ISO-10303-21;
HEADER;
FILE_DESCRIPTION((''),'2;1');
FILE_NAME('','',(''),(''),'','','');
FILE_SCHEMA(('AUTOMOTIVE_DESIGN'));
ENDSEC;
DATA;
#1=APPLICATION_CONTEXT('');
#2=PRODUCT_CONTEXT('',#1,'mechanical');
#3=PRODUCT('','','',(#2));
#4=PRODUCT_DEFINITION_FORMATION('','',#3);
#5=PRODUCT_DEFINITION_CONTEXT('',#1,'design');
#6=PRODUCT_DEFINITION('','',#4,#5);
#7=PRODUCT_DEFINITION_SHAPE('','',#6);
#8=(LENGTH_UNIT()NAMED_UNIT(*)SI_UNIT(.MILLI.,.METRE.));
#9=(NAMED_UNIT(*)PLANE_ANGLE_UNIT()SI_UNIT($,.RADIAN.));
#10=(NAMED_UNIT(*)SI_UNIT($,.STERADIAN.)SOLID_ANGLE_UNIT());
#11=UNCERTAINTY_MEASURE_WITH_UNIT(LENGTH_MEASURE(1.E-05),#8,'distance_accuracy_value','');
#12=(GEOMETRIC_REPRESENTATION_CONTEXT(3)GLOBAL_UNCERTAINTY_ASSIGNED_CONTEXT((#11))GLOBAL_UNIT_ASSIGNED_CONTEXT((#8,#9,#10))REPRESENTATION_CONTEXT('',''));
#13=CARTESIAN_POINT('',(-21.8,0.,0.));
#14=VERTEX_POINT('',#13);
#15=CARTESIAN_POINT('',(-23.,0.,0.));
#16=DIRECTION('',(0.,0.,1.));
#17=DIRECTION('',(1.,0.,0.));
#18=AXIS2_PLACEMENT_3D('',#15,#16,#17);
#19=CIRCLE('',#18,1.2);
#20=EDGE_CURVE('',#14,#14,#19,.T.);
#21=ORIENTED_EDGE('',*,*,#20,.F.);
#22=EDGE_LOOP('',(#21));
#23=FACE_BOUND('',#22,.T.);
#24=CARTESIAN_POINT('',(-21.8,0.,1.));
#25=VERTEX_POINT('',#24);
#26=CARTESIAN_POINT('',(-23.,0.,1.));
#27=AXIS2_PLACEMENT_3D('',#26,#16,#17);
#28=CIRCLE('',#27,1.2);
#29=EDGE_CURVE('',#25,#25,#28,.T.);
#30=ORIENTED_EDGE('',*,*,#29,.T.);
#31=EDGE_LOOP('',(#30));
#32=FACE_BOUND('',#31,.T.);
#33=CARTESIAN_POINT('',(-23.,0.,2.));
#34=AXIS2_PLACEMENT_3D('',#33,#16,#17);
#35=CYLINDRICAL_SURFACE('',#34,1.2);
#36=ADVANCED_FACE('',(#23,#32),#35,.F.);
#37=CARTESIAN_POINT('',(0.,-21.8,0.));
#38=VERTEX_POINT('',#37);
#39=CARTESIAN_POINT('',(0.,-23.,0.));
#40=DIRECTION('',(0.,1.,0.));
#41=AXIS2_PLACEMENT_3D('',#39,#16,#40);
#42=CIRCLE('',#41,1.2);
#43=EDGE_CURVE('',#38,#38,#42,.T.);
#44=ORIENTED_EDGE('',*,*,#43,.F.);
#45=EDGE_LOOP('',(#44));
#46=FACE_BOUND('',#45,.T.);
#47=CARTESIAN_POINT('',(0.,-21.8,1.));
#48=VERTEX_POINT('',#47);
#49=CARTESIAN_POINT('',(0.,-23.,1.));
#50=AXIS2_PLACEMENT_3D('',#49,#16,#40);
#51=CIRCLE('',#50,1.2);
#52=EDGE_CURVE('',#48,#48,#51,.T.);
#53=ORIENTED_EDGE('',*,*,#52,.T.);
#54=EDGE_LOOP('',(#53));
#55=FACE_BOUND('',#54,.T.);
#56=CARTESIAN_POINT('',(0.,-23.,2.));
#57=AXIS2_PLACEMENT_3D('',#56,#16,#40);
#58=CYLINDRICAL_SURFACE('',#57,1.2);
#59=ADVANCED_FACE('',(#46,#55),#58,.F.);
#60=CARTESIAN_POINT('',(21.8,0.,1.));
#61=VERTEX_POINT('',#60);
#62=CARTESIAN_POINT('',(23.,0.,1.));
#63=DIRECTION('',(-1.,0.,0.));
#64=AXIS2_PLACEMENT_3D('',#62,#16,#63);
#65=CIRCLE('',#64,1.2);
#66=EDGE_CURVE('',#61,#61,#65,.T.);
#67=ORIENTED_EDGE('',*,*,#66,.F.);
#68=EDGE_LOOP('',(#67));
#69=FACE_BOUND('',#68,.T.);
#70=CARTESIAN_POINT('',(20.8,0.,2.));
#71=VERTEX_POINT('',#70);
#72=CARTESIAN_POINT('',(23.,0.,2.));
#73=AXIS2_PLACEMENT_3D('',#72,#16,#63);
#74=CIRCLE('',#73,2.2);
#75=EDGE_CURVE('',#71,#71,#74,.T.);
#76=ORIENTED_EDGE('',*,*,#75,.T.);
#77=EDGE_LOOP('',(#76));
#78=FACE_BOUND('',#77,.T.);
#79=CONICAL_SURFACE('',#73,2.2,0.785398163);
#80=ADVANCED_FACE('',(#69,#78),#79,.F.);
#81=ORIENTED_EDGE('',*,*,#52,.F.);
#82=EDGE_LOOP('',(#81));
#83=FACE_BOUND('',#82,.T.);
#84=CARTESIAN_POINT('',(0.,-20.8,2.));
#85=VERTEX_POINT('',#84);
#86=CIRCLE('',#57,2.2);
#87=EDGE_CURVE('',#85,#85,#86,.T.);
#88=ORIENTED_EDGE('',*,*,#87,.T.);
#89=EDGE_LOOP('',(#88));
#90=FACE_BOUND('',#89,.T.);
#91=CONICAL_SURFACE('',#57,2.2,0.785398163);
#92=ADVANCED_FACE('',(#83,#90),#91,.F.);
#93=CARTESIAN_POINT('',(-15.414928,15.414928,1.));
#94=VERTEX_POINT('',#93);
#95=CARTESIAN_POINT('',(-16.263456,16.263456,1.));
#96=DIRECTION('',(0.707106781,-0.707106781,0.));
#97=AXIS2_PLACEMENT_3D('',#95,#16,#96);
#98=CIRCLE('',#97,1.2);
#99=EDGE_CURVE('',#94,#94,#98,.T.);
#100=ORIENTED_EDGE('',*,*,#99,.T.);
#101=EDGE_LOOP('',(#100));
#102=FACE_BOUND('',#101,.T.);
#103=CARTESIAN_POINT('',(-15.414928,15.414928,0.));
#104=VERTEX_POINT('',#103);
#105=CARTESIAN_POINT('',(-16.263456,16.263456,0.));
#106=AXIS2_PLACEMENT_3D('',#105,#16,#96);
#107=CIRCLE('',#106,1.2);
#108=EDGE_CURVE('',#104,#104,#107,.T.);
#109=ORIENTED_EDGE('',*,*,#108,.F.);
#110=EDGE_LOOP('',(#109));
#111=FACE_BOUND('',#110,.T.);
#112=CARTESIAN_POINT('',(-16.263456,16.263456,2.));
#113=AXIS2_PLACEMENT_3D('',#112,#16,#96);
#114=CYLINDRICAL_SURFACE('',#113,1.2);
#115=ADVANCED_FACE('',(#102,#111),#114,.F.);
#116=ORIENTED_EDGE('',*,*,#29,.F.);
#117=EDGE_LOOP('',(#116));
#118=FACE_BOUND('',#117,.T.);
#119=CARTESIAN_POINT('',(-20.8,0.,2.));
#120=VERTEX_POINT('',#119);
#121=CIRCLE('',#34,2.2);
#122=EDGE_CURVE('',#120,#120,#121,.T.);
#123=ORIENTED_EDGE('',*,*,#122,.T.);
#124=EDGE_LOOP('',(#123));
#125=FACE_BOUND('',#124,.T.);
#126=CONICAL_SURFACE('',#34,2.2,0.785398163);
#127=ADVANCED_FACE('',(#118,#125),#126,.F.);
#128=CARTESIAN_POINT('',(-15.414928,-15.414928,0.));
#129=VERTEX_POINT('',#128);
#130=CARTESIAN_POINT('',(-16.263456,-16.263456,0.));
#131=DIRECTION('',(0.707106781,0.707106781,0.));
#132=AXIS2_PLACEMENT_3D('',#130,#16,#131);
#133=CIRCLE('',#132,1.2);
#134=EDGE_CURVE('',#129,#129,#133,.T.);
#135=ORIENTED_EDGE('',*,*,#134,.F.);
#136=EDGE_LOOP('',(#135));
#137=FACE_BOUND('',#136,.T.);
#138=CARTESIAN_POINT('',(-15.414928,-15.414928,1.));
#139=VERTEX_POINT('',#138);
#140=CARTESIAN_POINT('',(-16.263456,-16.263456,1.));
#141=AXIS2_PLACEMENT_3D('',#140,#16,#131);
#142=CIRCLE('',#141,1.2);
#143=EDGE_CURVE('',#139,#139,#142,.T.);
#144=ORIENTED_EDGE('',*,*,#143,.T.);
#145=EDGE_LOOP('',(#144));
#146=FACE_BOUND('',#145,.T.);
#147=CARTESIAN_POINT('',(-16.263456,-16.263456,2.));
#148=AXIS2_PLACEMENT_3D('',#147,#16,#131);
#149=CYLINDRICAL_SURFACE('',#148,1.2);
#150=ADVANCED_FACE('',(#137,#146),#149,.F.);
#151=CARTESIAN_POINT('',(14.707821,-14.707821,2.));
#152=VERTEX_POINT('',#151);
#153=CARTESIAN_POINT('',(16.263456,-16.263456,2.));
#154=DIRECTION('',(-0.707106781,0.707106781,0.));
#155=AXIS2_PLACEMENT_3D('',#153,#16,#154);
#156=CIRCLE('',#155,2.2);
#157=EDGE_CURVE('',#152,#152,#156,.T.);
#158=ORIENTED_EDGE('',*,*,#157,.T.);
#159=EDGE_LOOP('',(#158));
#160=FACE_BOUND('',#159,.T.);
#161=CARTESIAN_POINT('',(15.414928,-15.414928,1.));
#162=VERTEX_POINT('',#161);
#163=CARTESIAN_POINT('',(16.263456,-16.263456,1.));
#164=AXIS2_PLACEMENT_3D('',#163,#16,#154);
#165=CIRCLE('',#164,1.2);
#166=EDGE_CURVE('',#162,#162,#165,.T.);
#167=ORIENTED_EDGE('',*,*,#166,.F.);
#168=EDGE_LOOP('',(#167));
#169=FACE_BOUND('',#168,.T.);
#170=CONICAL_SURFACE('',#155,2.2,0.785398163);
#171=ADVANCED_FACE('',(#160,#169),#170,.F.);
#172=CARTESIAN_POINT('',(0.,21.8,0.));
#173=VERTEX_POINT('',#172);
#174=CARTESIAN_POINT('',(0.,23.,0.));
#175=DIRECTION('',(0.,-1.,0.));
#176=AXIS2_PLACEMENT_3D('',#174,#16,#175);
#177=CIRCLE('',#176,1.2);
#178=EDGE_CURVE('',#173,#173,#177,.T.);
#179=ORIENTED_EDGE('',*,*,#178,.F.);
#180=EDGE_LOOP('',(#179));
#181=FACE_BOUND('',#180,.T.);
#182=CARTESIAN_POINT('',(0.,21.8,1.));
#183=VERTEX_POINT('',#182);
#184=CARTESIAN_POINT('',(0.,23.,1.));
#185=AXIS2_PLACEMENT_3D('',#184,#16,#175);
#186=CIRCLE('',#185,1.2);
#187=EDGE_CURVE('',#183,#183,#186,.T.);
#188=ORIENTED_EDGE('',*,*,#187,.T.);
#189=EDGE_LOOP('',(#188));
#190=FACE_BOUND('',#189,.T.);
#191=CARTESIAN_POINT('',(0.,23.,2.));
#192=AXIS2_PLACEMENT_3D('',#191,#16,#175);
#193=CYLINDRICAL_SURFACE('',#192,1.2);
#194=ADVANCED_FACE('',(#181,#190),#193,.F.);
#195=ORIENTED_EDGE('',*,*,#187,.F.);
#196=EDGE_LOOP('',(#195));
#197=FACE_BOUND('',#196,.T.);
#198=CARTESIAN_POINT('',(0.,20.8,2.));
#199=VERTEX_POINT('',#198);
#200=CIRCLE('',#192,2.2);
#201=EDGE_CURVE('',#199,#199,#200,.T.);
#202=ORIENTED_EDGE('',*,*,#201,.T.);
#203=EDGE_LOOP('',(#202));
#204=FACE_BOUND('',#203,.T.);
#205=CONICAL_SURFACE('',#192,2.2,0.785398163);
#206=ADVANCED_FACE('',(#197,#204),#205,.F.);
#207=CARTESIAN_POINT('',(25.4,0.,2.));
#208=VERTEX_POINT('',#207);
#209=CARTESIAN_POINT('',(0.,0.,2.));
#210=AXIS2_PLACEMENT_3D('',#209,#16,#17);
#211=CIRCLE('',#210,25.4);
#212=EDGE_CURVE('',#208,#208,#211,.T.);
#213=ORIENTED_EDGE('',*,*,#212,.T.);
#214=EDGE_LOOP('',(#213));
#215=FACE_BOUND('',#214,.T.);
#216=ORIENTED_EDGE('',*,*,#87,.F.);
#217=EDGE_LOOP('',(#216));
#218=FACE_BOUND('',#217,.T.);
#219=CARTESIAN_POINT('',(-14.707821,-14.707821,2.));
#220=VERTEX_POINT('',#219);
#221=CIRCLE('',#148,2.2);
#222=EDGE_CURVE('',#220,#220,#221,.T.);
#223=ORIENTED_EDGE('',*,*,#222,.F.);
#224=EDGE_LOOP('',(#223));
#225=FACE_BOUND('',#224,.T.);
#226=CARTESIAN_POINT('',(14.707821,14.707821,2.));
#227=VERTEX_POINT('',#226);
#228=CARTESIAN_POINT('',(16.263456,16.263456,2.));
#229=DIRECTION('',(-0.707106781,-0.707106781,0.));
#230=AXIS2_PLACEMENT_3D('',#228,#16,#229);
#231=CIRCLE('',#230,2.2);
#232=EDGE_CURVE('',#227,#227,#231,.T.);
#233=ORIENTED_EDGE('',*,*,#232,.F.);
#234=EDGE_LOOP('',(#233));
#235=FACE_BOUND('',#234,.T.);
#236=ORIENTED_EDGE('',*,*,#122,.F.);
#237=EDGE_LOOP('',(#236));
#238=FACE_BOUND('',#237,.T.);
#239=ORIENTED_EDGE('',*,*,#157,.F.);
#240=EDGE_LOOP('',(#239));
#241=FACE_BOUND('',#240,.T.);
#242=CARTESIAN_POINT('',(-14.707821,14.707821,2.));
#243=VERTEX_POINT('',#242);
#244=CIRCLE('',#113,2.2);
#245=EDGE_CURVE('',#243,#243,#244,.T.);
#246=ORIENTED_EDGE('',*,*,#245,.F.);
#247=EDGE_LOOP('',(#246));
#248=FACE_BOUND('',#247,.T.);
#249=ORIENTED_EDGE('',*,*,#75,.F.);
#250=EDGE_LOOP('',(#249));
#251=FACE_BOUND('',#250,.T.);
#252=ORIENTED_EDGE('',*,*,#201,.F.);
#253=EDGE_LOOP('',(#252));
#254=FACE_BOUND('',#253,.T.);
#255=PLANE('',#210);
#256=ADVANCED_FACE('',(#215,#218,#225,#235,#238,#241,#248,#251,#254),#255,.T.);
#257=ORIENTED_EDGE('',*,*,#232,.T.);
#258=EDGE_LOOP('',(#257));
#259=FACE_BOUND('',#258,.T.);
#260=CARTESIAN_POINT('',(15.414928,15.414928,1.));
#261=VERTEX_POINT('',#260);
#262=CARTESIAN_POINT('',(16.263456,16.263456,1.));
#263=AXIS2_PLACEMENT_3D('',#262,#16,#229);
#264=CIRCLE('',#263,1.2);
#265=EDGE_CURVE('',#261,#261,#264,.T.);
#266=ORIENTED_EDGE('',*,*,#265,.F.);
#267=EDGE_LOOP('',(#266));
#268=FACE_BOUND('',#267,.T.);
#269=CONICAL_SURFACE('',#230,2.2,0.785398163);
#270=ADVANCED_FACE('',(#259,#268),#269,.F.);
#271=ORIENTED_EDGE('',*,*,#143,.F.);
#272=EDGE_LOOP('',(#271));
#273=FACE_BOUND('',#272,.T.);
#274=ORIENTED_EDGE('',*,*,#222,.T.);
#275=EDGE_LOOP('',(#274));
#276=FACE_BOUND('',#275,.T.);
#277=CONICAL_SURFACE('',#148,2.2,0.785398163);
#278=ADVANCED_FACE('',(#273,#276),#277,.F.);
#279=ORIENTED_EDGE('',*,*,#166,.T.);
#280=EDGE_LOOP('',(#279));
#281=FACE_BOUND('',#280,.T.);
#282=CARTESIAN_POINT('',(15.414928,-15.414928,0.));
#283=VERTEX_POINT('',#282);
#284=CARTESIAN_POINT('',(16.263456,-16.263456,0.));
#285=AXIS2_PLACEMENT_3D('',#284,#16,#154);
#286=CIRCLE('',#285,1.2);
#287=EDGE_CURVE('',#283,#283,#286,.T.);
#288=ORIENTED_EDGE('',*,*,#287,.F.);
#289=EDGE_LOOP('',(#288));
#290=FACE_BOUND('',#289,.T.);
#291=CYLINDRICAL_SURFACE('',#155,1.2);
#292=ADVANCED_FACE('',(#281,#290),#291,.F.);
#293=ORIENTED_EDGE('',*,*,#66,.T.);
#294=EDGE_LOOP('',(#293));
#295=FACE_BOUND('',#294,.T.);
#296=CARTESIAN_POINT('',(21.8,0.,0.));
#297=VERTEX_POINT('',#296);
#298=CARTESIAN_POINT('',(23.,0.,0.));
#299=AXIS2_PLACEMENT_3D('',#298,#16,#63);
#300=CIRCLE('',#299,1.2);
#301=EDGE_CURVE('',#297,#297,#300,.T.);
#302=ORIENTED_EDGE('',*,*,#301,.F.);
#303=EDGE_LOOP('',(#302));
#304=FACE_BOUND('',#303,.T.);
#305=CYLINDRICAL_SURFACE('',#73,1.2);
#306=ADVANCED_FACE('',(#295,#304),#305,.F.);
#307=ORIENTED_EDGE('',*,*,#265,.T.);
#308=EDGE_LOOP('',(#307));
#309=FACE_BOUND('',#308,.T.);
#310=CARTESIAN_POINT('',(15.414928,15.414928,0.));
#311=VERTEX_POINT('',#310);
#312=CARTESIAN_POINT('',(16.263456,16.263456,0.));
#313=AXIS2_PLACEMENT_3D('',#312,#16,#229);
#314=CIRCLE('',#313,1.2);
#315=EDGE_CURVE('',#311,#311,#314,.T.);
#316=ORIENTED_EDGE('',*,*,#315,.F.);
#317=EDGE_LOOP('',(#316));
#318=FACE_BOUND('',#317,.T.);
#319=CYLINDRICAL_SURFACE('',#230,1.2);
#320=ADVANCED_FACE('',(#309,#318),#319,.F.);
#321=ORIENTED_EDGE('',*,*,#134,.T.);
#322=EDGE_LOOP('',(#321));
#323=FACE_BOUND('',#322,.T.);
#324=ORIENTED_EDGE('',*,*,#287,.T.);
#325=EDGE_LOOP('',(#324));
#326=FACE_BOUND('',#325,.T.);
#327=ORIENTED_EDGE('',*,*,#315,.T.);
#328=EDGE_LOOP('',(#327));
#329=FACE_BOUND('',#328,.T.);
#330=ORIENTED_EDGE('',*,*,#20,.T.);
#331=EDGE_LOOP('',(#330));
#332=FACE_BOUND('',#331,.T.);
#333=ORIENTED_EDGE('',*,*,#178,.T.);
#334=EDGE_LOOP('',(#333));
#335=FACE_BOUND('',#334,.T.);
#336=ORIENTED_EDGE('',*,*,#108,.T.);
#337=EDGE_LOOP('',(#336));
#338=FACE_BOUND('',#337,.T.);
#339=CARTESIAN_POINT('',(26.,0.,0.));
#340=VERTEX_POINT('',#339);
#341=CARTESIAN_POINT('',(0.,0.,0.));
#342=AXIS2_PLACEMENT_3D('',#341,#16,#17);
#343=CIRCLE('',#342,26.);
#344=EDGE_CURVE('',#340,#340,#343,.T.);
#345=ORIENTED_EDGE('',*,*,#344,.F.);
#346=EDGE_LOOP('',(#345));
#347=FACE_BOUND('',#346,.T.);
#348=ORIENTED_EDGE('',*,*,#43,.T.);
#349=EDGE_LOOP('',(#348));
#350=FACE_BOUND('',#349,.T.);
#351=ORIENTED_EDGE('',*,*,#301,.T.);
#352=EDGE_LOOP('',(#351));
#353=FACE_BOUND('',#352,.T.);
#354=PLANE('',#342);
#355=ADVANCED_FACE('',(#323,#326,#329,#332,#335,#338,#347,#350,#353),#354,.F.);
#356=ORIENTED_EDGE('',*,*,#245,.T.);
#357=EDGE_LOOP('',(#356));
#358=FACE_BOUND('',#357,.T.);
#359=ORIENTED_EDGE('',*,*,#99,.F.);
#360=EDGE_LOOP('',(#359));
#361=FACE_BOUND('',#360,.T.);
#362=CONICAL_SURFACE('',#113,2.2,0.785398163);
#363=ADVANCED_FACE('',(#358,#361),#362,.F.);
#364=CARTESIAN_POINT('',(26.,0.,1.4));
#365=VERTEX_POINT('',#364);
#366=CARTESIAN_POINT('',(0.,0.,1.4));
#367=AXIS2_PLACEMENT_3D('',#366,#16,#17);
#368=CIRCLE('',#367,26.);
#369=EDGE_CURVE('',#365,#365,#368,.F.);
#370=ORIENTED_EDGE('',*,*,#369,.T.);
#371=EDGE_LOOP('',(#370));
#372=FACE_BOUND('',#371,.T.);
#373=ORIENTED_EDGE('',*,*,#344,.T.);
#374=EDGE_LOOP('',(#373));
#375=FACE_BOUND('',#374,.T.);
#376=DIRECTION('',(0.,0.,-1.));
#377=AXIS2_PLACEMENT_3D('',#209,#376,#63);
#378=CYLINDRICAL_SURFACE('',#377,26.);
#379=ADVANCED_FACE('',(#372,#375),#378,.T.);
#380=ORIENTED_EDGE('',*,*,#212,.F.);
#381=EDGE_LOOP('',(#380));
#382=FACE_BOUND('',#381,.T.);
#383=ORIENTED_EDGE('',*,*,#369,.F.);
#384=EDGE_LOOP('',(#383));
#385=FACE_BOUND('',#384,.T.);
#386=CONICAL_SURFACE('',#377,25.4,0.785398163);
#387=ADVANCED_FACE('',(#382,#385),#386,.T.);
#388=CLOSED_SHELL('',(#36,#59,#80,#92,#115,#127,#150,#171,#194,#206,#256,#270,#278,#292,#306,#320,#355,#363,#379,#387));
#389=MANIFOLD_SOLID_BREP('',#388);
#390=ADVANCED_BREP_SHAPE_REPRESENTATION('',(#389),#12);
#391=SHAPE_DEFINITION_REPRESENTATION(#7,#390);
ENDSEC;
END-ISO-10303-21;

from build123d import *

# Parameters (mm, degrees)
SKETCH_1_R               = 26
EXTRUDE_1_DEPTH          = 2
CHAMFER_2_SIZE           = 0.6
PATTERN_CIRCULAR_1_COUNT = 8


with BuildPart() as part:
    # Эскиз1 → Бобышка-Вытянуть1 (new body)
    with BuildSketch(Plane.XY):
        Circle(SKETCH_1_R)
    extrude(amount=EXTRUDE_1_DEPTH)

    # Фаска2
    chamfer_2_edges = [part.edges().sort_by_distance(p)[0] for p in [
        (-26, 0, 2),
    ]]
    chamfer(chamfer_2_edges, length=CHAMFER_2_SIZE)

    # Эскиз3 → Зенковка для винта с полупотайной головкой M21 (revolve, cut)
    with BuildSketch(Plane(origin=(-23, 0, 2), x_dir=(0, -1, 0), z_dir=(1, 0, 0))):
        Polygon((0, 0), (0, 6.721032743), (1.2, 6), (1.2, 1), (2.2, 0), align=None)
    hole_wizard_m21 = revolve(axis=Axis((-23, 0, 8.35), (0, 0, -1)), mode=Mode.SUBTRACT)

    # Круговой массив1: Зенковка для винта с полупотайной головкой M21 ×8 about axis
    pattern_circular_1_axis = Axis((0, 0, 0), (0, 0, 1))
    for i in range(1, PATTERN_CIRCULAR_1_COUNT):
        add(hole_wizard_m21.rotate(pattern_circular_1_axis, i * 360 / PATTERN_CIRCULAR_1_COUNT), mode=Mode.SUBTRACT)


solid = part.part
